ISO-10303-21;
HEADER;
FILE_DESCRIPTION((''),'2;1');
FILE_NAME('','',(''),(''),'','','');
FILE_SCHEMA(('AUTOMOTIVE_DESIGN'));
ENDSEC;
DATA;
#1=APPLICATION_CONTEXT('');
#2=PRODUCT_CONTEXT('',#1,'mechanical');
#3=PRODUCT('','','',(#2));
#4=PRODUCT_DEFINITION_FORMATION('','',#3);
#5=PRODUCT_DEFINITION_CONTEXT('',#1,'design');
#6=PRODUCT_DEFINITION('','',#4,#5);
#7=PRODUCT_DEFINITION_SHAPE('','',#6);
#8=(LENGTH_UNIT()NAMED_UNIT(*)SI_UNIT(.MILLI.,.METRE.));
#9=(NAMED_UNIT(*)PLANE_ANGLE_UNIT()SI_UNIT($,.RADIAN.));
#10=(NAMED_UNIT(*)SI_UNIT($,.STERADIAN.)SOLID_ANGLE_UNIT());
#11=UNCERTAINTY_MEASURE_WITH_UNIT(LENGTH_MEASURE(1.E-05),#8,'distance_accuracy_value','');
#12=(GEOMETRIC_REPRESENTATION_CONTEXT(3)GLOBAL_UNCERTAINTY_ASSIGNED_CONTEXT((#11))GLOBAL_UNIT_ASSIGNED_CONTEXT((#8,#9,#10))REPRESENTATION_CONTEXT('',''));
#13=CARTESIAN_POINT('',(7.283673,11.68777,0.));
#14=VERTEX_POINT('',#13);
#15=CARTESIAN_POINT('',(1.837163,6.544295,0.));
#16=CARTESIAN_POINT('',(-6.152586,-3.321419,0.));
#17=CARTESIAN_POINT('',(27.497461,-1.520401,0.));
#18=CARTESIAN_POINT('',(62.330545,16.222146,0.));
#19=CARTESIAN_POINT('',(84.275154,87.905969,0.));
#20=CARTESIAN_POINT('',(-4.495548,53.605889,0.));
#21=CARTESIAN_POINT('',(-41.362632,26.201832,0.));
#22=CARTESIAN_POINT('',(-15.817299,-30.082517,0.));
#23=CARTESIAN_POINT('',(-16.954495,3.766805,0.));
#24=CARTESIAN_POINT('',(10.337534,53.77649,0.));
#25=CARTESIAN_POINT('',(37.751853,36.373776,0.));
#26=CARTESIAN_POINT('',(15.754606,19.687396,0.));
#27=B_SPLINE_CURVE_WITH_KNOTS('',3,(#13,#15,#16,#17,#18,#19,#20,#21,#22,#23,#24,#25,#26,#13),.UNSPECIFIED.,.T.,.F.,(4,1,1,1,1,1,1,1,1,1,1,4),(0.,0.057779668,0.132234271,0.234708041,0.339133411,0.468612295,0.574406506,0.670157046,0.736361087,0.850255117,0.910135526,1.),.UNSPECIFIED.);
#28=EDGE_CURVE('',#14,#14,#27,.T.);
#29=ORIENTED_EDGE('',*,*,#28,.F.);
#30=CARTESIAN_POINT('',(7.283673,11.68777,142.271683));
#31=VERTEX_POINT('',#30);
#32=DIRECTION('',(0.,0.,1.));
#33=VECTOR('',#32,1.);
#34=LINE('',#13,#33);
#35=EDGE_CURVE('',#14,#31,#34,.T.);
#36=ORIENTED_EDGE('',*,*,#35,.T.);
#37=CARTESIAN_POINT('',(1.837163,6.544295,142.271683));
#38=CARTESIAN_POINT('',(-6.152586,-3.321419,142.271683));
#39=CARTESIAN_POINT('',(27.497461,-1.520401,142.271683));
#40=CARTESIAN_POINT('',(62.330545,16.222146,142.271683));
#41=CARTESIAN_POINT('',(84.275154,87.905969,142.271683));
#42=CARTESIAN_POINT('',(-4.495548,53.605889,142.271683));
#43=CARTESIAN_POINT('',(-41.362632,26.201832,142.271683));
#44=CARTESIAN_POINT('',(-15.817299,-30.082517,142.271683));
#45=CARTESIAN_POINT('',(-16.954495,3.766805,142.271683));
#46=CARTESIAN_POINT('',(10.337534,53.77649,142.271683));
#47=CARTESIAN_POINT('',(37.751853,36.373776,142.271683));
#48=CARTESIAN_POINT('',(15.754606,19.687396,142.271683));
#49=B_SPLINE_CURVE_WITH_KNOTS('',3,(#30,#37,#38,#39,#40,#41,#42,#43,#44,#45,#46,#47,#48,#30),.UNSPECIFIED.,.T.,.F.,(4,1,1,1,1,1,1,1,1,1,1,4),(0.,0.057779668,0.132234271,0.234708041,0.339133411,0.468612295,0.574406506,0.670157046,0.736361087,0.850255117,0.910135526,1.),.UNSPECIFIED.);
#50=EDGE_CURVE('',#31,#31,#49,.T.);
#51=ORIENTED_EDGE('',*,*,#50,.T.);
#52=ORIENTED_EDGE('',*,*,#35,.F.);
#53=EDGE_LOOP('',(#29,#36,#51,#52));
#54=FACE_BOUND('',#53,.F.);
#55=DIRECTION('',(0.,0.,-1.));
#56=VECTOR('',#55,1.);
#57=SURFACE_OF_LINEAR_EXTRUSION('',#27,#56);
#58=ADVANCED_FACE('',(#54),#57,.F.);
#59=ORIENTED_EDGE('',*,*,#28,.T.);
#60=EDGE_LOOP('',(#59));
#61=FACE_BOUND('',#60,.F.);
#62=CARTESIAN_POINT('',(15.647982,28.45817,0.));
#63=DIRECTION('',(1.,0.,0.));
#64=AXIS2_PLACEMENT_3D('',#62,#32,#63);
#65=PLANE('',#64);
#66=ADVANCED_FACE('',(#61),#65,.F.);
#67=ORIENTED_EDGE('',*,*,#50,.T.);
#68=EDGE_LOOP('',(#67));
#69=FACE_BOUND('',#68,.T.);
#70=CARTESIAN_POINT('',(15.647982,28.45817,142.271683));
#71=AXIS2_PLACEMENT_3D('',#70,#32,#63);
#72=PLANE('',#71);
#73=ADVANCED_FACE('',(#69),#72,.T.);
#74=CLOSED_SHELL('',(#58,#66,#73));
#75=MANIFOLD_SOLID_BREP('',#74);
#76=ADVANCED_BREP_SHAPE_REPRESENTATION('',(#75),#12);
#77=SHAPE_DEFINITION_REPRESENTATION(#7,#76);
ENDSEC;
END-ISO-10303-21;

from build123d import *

# Parameters (mm, degrees)
F1_DEPTH = 142.27168262


with BuildPart() as f1:
    # F0 (on Top) → F1 (new body)
    with BuildSketch(Plane.XY):
        with BuildLine():
            add(Edge.make_bspline(
                [(7.2836726904, 11.6877704859), (1.8371631497, 6.544294914), (-6.1525855924, -3.3214185844), (27.4974606576, -1.5204006226), (62.3305453654, 16.2221458792), (84.2751544075, 87.9059689201), (-4.4955480399, 53.6058893061), (-41.3626324717, 26.2018316112), (-15.8172993387, -30.0825169249), (-16.9544946827, 3.7668050099), (10.3375344915, 53.7764899553), (37.751852766, 36.3737758642), (15.7546059913, 19.6873963342), (7.2836726904, 11.6877704859)],
                knots=[0, 0, 0, 0, 0.0577796684, 0.1322342714, 0.2347080406, 0.3391334112, 0.4686122951, 0.5744065059, 0.6701570465, 0.7363610866, 0.8502551173, 0.9101355256, 1, 1, 1, 1], degree=3))
        make_face()
    extrude(amount=F1_DEPTH)


solid = f1.part
